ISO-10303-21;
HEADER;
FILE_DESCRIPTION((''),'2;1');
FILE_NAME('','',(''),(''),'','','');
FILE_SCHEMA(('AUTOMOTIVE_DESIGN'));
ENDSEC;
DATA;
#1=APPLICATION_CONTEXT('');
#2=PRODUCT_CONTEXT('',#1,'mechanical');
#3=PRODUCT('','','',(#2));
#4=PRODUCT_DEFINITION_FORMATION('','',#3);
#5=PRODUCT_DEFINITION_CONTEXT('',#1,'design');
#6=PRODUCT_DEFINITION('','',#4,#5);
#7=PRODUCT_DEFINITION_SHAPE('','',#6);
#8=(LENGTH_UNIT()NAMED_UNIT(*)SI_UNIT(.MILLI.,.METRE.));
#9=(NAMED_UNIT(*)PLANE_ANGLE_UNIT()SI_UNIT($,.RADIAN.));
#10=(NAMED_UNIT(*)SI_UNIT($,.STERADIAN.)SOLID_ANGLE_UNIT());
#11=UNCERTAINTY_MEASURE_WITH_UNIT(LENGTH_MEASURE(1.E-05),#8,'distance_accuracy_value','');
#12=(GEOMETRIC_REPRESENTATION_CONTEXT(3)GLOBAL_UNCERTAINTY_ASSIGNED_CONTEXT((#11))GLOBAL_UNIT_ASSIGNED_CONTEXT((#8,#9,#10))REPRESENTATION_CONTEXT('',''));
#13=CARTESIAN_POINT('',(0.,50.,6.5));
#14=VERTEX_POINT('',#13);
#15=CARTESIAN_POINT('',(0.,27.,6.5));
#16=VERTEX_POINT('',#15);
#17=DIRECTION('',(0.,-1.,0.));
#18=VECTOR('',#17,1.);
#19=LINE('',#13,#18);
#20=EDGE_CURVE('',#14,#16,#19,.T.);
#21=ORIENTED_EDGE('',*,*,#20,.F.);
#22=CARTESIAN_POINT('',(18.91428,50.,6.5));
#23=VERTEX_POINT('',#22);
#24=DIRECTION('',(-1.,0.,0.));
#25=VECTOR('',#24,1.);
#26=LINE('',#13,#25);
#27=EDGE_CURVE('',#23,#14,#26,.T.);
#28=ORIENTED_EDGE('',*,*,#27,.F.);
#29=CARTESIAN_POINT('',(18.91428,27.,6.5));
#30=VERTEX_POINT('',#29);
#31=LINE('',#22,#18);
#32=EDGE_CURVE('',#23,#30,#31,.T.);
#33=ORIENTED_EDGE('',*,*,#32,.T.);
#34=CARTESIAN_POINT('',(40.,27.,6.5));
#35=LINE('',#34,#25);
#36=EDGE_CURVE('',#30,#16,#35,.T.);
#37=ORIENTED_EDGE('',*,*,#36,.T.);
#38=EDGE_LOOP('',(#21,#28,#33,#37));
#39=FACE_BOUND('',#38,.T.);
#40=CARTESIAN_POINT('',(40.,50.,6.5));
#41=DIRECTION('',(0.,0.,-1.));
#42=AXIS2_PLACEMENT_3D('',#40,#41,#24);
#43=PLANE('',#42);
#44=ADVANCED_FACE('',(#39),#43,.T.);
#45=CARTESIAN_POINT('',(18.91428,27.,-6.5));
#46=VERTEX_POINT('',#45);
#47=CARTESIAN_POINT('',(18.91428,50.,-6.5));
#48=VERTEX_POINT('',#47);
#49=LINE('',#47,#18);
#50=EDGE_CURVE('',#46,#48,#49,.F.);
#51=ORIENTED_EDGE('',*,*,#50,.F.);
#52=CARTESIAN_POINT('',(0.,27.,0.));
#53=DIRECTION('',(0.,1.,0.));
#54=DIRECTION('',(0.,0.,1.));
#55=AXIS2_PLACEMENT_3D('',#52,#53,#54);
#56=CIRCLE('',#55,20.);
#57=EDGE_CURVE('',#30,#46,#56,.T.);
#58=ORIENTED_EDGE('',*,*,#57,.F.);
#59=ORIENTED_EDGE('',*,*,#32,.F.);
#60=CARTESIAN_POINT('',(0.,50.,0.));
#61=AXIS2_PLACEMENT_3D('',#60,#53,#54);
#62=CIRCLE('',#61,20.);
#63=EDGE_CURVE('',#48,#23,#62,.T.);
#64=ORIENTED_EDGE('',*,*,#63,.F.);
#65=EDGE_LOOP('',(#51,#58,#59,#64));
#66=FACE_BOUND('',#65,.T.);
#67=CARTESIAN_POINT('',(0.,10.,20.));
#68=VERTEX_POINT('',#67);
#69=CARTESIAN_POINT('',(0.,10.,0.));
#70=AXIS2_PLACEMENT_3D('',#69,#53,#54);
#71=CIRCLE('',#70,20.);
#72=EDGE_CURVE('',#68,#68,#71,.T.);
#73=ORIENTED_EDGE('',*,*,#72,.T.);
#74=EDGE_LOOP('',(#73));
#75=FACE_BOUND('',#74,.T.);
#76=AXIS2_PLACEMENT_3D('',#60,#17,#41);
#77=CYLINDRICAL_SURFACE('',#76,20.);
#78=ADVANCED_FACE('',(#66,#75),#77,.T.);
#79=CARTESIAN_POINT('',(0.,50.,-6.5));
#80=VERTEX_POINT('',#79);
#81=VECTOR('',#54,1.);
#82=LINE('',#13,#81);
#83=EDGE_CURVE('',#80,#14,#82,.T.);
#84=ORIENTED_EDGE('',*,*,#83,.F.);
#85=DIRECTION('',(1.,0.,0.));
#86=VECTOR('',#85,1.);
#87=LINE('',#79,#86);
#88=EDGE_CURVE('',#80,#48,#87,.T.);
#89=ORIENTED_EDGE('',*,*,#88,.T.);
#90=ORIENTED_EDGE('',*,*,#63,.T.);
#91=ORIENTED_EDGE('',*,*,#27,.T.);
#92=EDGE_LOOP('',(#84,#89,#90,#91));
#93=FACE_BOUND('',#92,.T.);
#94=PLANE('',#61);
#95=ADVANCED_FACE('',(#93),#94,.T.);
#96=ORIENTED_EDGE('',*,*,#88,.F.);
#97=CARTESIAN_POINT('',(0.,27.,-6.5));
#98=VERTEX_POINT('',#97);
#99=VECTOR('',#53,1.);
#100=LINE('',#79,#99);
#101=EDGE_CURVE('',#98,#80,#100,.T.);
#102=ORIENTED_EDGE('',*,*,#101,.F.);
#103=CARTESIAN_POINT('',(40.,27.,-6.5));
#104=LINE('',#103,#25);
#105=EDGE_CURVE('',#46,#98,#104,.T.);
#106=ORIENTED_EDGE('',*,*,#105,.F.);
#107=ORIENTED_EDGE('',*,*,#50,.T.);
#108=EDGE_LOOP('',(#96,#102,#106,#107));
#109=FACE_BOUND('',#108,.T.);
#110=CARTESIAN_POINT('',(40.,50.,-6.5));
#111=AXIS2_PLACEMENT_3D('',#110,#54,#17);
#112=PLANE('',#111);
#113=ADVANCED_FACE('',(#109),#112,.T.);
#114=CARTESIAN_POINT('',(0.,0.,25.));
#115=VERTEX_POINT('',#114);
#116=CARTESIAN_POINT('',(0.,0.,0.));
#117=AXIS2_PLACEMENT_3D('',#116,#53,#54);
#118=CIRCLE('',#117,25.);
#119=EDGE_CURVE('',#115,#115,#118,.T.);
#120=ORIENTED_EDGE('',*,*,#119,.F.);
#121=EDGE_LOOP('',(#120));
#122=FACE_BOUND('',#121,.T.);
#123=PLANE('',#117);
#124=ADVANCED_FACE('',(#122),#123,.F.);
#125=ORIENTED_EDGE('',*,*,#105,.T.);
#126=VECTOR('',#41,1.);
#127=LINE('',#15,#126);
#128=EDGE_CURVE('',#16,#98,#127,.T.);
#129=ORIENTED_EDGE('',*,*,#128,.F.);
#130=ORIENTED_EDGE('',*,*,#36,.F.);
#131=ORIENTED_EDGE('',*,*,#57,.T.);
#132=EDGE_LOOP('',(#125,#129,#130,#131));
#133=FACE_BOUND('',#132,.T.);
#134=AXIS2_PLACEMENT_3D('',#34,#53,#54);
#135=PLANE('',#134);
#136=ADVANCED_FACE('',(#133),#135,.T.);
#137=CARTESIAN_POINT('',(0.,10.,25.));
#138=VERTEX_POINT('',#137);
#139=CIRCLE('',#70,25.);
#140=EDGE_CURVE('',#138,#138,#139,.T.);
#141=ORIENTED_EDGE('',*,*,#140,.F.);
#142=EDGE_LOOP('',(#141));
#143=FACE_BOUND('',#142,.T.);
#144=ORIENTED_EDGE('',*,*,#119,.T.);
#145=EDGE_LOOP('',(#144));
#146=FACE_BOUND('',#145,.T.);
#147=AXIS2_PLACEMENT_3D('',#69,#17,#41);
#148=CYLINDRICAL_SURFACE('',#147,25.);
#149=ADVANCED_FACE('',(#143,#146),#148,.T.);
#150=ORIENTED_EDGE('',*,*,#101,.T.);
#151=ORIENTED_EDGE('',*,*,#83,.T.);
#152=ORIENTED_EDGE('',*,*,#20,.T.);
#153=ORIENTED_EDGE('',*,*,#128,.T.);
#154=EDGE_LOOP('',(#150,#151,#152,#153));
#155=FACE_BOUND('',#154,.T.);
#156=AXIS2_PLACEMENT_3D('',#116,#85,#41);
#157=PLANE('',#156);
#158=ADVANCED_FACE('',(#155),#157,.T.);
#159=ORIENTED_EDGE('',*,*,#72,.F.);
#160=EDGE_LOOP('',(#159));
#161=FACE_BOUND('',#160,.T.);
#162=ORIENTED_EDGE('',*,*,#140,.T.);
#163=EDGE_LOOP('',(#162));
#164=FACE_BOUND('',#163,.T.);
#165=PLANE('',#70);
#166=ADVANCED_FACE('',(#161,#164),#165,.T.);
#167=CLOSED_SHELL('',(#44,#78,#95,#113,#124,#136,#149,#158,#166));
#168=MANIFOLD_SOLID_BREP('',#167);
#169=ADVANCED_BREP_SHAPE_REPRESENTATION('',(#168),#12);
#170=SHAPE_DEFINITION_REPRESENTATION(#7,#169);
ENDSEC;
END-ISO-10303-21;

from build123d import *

# Parameters (mm, degrees)
CROQUIS1_R              = 25
SALIENTE_EXTRUIR1_DEPTH = 10
CROQUIS2_R              = 20
SALIENTE_EXTRUIR3_DEPTH = 40
CROQUIS4_W              = 13
CROQUIS4_H              = 23
CORTAR_EXTRUIR2_DEPTH   = 40


with BuildPart() as part:
    # Croquis1 → Saliente-Extruir1 (new body)
    with BuildSketch(Plane(origin=(0, 0, 0), x_dir=(1, 0, 0), z_dir=(0, 1, 0))):
        Circle(CROQUIS1_R)
    extrude(amount=SALIENTE_EXTRUIR1_DEPTH)

    # Croquis2 → Saliente-Extruir3 (add)
    with BuildSketch(Plane(origin=(0, 10, 0), x_dir=(1, 0, 0), z_dir=(0, 1, 0))):
        Circle(CROQUIS2_R)
    extrude(amount=SALIENTE_EXTRUIR3_DEPTH)

    # Croquis4 → Cortar-Extruir2 (cut)
    with BuildSketch(Plane(origin=(0, 0, 0), x_dir=(0, 0, -1), z_dir=(1, 0, 0))):
        with Locations((0, 38.5)):
            Rectangle(CROQUIS4_W, CROQUIS4_H)
    extrude(amount=CORTAR_EXTRUIR2_DEPTH, mode=Mode.SUBTRACT)


solid = part.part
